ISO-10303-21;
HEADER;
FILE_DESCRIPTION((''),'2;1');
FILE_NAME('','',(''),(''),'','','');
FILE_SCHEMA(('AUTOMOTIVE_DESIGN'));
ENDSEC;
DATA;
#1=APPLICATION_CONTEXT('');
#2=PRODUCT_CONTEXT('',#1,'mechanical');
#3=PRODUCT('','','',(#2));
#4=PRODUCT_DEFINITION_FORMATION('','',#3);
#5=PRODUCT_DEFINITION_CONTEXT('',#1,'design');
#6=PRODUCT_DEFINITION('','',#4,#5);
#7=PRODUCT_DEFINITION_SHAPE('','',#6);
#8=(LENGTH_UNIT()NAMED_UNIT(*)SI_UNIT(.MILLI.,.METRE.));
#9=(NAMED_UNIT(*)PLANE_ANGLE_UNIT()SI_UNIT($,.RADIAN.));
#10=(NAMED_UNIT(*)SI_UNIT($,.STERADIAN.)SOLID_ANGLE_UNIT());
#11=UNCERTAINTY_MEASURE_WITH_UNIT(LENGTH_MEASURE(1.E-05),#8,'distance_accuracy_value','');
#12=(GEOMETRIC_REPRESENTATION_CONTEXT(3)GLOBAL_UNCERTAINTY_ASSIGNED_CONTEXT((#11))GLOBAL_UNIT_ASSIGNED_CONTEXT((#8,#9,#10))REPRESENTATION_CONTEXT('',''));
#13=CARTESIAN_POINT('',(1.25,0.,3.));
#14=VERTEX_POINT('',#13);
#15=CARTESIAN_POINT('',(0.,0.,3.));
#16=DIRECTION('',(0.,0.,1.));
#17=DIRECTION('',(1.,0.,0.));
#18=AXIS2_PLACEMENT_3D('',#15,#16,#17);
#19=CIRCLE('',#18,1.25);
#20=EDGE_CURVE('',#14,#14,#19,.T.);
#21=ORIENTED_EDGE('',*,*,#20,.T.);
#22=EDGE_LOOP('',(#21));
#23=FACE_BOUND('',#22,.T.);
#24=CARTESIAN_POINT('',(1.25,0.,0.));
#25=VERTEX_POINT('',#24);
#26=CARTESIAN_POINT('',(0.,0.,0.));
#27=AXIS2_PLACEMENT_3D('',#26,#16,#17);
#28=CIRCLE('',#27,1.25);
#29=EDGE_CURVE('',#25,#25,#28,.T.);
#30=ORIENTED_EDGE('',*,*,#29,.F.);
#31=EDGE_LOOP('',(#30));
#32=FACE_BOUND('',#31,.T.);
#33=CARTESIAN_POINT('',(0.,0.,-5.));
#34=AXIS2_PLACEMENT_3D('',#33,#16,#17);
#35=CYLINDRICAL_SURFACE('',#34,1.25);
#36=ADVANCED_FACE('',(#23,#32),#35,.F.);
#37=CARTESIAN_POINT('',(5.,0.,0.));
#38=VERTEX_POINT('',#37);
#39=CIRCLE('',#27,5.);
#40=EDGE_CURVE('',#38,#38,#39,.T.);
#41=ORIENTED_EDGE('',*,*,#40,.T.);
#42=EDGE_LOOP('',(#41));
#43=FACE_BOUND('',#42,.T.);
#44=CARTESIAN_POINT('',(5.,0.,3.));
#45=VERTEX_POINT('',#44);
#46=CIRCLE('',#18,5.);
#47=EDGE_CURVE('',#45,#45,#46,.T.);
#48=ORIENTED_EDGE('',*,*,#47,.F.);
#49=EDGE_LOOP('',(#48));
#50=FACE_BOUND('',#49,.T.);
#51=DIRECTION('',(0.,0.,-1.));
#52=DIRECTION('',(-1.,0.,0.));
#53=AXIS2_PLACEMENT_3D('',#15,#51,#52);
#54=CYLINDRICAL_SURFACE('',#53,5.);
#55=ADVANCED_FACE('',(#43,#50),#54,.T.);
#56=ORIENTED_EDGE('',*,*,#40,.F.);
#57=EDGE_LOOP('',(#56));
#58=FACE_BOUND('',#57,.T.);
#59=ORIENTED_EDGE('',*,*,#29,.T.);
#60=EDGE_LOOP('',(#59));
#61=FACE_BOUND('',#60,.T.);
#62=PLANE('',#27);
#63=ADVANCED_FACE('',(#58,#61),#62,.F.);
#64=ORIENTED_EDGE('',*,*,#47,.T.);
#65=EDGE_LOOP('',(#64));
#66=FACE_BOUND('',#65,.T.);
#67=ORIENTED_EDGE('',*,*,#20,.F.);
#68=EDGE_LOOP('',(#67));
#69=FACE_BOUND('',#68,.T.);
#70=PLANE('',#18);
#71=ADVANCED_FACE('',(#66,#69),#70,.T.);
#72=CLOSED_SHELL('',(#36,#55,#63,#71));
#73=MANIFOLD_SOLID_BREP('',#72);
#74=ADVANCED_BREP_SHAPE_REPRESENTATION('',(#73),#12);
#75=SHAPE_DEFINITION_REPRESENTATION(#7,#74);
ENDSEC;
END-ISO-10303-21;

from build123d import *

# Parameters (mm, degrees)
SKETCH_1_R          = 5
EXTRUDE_1_DEPTH     = 3
SKETCH_2_R          = 1.25
CUT_EXTRUDE_1_DEPTH = 8


with BuildPart() as part:
    # 草图1 → 凸台-拉伸1 (new body)
    with BuildSketch(Plane.XY):
        Circle(SKETCH_1_R)
    extrude(amount=EXTRUDE_1_DEPTH)

    # 草图2 → 切除-拉伸1 (cut)
    with BuildSketch(Plane.XY.offset(3)):
        Circle(SKETCH_2_R)
    extrude(amount=-CUT_EXTRUDE_1_DEPTH, mode=Mode.SUBTRACT)


solid = part.part
